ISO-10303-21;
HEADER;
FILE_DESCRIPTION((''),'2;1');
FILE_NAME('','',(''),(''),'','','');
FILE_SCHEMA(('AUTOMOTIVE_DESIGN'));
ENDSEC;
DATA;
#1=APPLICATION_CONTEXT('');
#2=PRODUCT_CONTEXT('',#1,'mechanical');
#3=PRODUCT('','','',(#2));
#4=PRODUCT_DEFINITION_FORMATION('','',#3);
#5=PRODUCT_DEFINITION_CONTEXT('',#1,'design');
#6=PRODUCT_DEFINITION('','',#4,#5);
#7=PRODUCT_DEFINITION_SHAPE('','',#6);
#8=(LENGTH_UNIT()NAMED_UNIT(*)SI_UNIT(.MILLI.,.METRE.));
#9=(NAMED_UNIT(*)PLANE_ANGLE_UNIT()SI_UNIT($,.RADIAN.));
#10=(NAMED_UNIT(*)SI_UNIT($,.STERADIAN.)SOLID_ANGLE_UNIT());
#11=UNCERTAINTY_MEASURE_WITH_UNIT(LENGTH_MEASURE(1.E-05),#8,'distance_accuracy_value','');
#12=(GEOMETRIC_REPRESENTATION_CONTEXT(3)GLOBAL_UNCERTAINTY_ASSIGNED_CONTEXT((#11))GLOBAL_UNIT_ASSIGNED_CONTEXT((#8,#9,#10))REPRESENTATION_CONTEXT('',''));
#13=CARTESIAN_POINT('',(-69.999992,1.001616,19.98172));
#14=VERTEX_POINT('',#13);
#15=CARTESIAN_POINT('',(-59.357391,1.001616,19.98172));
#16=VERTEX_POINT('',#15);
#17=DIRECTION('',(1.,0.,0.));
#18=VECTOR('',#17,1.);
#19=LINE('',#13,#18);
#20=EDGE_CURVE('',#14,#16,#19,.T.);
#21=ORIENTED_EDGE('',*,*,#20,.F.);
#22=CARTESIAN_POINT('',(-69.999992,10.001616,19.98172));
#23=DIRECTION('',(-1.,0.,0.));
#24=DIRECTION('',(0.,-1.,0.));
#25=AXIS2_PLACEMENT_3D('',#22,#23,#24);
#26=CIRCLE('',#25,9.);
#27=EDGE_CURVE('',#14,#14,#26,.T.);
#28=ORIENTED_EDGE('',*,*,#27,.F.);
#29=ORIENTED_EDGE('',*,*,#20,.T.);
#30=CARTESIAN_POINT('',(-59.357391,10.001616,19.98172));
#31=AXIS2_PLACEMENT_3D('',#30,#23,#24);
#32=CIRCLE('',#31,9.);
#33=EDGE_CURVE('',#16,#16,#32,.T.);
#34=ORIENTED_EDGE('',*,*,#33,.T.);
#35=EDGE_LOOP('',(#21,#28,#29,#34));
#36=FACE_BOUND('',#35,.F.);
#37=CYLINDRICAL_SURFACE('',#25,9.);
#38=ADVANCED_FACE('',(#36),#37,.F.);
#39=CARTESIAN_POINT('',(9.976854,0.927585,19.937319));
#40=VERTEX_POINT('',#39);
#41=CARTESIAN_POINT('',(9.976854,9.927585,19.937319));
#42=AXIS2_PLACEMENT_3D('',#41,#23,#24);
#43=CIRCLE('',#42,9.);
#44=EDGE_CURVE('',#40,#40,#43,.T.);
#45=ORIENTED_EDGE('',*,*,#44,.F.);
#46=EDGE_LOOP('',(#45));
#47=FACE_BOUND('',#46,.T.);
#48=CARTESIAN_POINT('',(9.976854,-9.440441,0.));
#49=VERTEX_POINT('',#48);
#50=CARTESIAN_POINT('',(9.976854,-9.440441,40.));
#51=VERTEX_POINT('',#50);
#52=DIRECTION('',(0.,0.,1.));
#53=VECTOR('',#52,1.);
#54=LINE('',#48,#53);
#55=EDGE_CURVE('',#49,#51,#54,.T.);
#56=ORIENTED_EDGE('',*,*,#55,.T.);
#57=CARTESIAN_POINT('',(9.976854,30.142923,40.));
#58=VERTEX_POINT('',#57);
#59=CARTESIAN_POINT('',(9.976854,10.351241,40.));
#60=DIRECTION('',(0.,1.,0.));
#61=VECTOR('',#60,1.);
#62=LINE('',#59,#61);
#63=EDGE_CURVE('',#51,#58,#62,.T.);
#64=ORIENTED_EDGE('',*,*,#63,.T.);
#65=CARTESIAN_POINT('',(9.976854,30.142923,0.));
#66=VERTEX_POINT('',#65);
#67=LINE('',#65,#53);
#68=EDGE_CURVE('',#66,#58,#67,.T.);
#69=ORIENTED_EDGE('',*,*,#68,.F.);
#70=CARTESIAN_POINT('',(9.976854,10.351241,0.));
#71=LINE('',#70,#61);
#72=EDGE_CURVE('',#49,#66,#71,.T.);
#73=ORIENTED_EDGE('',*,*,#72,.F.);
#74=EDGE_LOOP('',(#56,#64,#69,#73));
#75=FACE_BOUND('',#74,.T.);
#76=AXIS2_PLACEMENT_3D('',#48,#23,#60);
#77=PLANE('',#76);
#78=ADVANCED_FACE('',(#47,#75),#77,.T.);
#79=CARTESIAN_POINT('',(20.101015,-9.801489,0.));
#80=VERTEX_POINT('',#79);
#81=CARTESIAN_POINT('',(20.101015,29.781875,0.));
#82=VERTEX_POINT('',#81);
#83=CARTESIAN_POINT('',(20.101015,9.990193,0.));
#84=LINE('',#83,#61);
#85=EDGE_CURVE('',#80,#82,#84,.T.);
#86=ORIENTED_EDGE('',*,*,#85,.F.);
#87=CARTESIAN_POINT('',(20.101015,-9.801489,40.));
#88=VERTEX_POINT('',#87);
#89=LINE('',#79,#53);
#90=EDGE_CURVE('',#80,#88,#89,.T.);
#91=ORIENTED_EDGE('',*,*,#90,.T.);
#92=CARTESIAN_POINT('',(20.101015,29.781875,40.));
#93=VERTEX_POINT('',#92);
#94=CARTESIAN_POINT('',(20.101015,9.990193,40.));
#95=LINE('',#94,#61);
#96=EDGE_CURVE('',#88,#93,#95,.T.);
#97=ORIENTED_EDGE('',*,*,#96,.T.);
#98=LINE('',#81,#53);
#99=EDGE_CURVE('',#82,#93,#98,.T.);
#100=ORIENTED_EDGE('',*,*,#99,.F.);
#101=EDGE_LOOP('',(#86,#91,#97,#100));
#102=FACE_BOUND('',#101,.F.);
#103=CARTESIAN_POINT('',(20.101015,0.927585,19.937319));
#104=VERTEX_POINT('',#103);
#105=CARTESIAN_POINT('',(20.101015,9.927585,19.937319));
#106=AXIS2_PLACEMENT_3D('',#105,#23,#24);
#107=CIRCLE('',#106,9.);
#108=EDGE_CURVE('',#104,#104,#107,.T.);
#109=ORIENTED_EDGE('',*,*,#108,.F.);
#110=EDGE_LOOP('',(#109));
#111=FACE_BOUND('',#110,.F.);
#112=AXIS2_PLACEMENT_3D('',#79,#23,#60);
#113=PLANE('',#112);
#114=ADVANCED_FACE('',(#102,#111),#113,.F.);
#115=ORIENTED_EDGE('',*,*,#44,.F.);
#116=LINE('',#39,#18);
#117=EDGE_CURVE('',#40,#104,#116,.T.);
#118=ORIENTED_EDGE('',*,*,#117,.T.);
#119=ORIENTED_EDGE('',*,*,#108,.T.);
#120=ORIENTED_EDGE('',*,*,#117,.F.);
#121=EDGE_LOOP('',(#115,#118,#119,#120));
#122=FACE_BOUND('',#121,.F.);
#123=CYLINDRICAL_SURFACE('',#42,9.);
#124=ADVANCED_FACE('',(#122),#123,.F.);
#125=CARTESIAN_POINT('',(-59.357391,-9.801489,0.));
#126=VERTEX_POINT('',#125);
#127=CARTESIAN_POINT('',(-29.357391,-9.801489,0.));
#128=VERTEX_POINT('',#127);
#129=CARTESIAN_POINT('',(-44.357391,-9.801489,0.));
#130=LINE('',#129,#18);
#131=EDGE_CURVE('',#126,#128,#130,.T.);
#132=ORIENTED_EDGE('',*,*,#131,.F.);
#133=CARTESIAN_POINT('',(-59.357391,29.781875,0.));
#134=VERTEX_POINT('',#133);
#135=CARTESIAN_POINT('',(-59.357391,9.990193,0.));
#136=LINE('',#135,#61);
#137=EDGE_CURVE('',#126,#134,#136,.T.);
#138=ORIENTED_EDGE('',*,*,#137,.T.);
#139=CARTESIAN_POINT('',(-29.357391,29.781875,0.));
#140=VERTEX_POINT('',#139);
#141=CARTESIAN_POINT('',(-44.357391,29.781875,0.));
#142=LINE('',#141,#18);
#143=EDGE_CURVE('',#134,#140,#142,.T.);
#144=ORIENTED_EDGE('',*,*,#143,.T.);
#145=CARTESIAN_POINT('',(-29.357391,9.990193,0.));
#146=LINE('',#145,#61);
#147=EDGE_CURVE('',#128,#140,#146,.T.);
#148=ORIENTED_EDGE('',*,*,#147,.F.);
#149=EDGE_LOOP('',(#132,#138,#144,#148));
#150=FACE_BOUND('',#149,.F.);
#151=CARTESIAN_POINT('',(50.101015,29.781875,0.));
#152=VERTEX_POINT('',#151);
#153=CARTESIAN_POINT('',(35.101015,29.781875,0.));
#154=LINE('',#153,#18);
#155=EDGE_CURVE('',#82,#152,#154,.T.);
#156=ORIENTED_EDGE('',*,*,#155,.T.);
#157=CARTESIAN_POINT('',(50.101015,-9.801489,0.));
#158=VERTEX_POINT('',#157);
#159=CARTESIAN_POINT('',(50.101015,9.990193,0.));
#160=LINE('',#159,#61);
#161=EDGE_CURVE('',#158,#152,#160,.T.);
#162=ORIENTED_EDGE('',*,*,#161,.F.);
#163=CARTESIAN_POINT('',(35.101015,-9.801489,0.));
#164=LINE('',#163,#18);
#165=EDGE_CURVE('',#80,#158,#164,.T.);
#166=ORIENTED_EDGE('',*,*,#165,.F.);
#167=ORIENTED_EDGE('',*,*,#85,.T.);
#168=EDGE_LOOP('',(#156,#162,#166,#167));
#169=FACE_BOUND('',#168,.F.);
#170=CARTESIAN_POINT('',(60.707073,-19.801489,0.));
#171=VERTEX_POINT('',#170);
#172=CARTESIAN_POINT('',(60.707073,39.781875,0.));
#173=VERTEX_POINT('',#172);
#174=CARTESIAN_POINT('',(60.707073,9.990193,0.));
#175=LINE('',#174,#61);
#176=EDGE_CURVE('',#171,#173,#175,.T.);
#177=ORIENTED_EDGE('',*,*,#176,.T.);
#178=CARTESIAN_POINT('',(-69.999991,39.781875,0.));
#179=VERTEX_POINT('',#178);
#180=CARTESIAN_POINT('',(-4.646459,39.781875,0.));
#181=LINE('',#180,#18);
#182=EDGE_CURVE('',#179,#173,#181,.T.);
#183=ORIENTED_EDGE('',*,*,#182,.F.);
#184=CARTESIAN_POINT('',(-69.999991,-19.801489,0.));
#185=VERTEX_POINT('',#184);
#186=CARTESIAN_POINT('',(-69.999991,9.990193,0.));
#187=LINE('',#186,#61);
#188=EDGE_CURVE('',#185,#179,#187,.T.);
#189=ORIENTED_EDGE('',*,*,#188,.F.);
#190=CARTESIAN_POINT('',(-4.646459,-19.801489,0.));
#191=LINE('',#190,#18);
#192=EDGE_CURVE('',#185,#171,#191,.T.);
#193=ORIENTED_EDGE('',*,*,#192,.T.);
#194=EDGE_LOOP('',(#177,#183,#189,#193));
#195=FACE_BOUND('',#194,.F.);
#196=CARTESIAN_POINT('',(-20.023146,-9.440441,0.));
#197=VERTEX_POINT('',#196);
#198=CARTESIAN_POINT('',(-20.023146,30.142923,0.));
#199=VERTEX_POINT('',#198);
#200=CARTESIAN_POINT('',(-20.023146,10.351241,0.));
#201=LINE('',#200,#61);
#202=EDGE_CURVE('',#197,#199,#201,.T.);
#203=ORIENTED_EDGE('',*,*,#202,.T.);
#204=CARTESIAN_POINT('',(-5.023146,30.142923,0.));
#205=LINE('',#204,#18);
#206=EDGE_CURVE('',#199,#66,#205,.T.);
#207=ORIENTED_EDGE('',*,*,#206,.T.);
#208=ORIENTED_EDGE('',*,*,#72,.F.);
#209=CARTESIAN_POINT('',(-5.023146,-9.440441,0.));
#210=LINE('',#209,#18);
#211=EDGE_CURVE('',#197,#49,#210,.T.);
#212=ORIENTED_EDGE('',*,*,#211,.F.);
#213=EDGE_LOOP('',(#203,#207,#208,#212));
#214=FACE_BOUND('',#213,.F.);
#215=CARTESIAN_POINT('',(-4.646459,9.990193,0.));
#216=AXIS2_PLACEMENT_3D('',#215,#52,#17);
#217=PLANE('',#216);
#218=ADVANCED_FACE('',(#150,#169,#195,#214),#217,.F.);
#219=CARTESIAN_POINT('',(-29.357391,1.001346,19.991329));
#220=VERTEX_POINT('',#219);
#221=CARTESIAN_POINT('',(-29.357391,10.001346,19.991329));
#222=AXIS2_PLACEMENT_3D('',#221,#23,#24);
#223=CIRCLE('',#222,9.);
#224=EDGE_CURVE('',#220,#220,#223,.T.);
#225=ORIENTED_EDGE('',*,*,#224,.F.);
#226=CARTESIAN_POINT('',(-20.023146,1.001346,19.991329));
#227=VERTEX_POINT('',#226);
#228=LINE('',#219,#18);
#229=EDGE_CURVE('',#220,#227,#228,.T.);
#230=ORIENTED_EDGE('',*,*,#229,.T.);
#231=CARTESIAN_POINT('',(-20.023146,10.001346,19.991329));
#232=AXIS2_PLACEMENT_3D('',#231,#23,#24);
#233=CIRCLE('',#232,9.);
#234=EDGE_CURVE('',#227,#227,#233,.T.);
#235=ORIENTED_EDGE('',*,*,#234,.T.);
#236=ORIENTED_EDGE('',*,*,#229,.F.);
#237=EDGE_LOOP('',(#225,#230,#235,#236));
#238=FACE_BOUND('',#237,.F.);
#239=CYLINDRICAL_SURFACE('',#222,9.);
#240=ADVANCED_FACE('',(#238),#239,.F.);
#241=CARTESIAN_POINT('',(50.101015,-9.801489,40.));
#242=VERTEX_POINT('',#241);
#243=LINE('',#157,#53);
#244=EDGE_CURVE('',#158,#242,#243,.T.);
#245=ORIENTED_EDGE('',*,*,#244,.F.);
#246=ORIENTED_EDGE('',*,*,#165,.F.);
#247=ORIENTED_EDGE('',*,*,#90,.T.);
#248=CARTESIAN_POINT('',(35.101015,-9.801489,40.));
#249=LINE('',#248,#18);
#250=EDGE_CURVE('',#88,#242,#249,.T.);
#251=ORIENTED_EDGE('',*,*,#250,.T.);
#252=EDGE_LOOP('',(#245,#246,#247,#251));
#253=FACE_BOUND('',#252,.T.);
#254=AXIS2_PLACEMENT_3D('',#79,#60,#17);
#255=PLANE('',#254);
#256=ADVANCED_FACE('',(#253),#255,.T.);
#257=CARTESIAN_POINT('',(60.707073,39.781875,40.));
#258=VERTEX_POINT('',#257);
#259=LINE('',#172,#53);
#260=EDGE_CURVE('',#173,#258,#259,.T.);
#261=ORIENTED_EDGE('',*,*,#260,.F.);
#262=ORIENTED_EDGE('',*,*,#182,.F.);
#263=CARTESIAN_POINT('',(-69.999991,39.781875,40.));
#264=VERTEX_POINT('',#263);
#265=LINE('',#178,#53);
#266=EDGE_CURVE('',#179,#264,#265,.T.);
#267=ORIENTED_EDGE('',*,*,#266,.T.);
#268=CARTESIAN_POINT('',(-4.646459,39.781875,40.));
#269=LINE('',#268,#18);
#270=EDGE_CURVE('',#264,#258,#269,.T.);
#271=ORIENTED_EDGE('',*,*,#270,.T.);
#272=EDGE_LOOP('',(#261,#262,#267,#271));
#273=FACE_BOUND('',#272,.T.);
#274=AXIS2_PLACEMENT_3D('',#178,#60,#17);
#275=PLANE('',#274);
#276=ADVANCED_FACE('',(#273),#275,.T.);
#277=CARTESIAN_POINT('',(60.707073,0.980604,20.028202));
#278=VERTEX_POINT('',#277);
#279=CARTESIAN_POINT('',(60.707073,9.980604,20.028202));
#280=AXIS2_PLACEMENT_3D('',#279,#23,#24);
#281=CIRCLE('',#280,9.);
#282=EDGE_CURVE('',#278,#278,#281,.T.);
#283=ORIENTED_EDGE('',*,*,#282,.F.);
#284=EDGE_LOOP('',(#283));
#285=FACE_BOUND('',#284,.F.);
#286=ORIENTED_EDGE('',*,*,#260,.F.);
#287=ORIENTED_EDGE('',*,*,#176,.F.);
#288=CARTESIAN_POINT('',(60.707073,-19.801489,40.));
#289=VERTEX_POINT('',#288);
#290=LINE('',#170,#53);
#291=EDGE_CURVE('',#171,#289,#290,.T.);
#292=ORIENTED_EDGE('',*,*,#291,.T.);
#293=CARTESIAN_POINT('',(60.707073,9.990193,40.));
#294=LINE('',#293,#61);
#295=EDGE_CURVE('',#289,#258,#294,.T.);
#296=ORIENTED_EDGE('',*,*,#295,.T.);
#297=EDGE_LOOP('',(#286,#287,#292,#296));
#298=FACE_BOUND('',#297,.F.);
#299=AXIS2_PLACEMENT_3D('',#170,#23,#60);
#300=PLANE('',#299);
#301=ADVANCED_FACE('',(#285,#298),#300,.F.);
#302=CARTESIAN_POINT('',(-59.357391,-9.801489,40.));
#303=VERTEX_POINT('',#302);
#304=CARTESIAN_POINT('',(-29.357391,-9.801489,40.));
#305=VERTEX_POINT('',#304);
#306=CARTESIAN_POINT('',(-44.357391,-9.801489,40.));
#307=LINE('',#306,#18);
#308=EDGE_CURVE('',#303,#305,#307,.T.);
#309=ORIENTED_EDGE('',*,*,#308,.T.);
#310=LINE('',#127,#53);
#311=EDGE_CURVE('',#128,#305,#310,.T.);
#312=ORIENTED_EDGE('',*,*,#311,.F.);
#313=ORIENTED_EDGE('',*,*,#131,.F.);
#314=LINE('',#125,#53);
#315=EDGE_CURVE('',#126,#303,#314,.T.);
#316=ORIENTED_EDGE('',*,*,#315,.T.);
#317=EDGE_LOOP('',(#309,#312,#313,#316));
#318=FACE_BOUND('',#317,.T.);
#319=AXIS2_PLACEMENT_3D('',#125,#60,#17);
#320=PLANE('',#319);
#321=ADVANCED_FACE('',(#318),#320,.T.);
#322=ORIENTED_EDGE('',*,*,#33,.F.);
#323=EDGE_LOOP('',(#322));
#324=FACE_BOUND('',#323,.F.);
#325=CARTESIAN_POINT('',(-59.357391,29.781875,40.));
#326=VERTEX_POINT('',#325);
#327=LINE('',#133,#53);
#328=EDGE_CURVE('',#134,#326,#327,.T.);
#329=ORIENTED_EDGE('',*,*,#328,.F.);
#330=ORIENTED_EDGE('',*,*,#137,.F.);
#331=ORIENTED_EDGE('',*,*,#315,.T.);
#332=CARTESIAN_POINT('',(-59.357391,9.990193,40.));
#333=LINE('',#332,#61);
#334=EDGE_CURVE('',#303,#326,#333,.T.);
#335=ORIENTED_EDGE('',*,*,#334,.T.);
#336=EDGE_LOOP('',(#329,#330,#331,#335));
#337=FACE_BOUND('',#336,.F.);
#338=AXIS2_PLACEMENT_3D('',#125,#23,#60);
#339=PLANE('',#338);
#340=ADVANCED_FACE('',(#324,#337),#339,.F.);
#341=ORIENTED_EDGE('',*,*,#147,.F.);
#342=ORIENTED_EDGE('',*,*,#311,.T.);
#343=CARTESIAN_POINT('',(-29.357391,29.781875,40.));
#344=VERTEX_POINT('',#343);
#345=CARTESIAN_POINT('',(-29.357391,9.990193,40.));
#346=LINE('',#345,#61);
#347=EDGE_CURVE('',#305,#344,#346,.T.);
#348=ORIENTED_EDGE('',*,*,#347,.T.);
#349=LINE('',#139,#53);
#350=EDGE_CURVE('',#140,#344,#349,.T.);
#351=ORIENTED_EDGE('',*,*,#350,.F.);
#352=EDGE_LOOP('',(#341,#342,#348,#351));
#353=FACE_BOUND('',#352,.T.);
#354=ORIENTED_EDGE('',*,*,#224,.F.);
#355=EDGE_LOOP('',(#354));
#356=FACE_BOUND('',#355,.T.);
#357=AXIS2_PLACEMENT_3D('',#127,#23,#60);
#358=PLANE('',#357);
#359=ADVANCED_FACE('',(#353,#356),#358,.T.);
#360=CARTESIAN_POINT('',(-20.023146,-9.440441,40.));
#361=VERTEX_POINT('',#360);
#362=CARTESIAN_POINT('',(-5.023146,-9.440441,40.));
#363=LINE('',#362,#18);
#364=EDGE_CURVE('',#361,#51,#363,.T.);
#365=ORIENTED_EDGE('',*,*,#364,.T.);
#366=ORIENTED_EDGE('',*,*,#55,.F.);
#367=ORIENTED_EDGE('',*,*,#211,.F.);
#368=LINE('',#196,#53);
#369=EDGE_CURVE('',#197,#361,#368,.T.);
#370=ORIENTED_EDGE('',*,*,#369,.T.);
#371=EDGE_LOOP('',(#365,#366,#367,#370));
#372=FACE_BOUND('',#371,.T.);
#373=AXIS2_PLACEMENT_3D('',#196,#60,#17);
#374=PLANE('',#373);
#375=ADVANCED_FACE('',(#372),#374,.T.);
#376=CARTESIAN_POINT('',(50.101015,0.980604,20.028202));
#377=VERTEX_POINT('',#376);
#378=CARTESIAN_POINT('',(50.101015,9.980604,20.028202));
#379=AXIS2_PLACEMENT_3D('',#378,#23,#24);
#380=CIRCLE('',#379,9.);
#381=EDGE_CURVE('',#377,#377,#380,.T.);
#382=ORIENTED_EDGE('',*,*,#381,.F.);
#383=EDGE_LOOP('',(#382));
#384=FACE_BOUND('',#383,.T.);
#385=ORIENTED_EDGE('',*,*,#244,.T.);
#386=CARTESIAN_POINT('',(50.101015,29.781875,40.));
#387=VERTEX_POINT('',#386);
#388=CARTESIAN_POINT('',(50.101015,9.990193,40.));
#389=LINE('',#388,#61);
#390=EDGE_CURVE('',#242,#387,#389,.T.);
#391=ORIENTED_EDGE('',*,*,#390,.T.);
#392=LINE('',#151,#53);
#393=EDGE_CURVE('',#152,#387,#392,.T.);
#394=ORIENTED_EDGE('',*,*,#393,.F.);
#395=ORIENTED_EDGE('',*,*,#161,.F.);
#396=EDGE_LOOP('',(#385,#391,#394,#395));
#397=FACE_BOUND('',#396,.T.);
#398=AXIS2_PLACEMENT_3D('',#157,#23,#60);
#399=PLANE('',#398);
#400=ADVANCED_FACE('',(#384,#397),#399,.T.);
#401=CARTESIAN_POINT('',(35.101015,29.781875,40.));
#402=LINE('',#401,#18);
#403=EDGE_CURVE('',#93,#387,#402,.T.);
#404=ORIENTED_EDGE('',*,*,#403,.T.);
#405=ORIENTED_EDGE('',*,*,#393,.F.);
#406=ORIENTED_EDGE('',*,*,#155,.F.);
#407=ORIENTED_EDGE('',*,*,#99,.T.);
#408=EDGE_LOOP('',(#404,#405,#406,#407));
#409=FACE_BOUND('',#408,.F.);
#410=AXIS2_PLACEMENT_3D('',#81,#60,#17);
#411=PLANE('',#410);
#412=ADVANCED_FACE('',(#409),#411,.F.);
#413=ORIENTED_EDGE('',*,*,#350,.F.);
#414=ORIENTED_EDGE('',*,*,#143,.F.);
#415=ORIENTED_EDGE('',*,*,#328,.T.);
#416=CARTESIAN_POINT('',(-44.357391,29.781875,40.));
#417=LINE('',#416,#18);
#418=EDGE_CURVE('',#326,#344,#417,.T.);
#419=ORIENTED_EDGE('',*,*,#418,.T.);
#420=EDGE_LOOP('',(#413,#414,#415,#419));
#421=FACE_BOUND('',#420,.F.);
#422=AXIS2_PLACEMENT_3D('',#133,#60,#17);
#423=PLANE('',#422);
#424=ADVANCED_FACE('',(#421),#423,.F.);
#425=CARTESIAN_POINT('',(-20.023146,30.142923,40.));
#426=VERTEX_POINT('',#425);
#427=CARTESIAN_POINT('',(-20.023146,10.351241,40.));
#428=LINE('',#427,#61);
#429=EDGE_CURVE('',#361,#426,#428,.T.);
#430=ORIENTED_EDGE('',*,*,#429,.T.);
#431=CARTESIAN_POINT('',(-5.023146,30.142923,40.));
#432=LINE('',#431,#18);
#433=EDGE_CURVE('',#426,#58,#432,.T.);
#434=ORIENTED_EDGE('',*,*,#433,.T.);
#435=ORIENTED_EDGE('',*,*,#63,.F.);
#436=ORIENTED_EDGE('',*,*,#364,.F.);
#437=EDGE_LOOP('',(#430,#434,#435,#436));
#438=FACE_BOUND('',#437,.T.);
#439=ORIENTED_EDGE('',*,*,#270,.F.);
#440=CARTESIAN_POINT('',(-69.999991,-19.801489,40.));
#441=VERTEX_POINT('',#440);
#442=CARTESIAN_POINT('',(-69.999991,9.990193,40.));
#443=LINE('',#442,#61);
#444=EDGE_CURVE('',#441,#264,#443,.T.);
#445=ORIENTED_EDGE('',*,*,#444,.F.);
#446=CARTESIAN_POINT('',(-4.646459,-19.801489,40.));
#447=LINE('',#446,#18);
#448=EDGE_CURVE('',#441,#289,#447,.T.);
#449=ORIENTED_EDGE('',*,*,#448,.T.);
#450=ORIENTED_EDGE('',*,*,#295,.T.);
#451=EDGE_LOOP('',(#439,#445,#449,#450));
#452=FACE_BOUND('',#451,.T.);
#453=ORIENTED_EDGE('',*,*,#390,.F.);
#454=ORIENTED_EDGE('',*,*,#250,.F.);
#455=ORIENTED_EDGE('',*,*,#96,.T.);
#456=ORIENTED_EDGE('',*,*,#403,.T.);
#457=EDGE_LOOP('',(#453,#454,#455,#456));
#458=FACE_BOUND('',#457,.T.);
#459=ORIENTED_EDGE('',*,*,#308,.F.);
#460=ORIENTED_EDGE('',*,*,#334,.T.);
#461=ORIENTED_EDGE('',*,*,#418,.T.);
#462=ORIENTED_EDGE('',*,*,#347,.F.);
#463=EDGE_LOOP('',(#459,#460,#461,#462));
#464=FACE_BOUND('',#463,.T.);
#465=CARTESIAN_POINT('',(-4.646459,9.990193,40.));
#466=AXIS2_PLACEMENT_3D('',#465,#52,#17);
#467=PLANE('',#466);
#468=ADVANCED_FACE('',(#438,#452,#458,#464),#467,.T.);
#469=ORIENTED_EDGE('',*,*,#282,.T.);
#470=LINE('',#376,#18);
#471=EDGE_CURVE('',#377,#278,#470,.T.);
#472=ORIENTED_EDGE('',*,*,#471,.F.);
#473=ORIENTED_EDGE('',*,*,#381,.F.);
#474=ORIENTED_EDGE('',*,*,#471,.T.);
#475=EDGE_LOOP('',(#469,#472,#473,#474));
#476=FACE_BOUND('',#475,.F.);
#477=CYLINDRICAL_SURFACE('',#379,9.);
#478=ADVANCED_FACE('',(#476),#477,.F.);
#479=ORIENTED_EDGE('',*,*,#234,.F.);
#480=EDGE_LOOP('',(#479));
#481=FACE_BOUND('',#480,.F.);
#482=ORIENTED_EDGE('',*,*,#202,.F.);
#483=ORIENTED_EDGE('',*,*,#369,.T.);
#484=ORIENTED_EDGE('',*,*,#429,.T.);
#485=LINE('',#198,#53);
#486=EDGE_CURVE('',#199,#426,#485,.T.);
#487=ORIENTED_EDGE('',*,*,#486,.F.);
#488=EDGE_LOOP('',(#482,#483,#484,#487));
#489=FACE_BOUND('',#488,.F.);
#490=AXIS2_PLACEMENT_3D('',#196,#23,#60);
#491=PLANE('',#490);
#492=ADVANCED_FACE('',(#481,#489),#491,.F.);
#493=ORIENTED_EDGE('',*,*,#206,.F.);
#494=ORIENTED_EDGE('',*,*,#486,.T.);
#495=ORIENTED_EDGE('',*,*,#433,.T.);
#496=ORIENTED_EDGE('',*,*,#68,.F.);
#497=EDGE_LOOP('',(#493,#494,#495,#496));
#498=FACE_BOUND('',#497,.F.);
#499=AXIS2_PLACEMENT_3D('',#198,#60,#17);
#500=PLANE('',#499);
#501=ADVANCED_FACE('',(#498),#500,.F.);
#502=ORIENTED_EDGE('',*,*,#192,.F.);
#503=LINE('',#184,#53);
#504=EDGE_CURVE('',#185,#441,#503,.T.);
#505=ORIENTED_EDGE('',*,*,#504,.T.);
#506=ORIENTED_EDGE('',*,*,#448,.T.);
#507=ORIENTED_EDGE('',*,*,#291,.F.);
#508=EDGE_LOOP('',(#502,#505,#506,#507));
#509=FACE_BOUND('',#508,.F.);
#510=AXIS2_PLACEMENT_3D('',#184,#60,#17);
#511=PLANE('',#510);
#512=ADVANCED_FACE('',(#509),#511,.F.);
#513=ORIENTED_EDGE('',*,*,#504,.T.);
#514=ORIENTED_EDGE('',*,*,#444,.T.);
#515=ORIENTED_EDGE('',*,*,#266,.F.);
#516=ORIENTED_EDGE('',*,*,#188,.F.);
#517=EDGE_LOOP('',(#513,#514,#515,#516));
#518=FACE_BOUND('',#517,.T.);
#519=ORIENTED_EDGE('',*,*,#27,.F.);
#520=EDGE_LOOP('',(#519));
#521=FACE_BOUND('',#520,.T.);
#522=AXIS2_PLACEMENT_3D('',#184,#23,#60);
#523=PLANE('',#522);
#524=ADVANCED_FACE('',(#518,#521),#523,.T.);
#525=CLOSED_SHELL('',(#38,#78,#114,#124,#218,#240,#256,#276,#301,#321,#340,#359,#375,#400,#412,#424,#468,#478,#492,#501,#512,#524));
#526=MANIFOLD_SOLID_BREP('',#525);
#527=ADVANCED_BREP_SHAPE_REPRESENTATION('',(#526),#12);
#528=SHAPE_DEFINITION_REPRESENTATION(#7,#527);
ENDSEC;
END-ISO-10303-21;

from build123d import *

# Parameters (mm, degrees)
SKETCH_W        = 130.707065
SKETCH_H        = 59.583364
SKETCH_W_2      = 30
SKETCH_H_2      = 39.583364
PAD_DEPTH       = 40
SKETCH001_R     = 9
POCKET_DEPTH    = 32
SKETCH002_R     = 9
POCKET001_DEPTH = 16
SKETCH003_R     = 9
POCKET002_DEPTH = 21
SKETCH004_R     = 9
POCKET003_DEPTH = 23


with BuildPart() as part:
    # Sketch → Pad (new body)
    with BuildSketch(Plane.XY):
        with Locations((-4.646459, 9.990193)):
            Rectangle(SKETCH_W, SKETCH_H)
        with Locations((-44.357391, 9.990193)):
            Rectangle(SKETCH_W_2, SKETCH_H_2, mode=Mode.SUBTRACT)
        with Locations((-5.023146, 10.351241)):
            Rectangle(SKETCH_W_2, SKETCH_H_2, mode=Mode.SUBTRACT)
        with Locations((35.101015, 9.990193)):
            Rectangle(SKETCH_W_2, SKETCH_H_2, mode=Mode.SUBTRACT)
    extrude(amount=PAD_DEPTH)

    # Sketch001 (on Face4 of Pad) → Pocket (cut)
    with BuildSketch(Plane(origin=(-69.999992, 0, 0), x_dir=(0, -1, 0), z_dir=(-1, 0, 0))):
        with Locations((-10.001616, 19.98172)):
            Circle(SKETCH001_R)
    extrude(amount=-POCKET_DEPTH, mode=Mode.SUBTRACT)

    # Sketch002 (on Face17 of Pocket) → Pocket001 (cut)
    with BuildSketch(Plane(origin=(-29.357391, 0, 0), x_dir=(0, -1, 0), z_dir=(-1, 0, 0))):
        with Locations((-10.001346, 19.991329)):
            Circle(SKETCH002_R)
    extrude(amount=-POCKET001_DEPTH, mode=Mode.SUBTRACT)

    # Sketch003 (on Face13 of Pocket001) → Pocket002 (cut)
    with BuildSketch(Plane(origin=(9.976854, 0, 0), x_dir=(0, -1, 0), z_dir=(-1, 0, 0))):
        with Locations((-9.927585, 19.937319)):
            Circle(SKETCH003_R)
    extrude(amount=-POCKET002_DEPTH, mode=Mode.SUBTRACT)

    # Sketch004 (on Face9 of Pocket002) → Pocket003 (cut)
    with BuildSketch(Plane(origin=(50.101015, 0, 0), x_dir=(0, -1, 0), z_dir=(-1, 0, 0))):
        with Locations((-9.980604, 20.028202)):
            Circle(SKETCH004_R)
    extrude(amount=-POCKET003_DEPTH, mode=Mode.SUBTRACT)


solid = part.part
